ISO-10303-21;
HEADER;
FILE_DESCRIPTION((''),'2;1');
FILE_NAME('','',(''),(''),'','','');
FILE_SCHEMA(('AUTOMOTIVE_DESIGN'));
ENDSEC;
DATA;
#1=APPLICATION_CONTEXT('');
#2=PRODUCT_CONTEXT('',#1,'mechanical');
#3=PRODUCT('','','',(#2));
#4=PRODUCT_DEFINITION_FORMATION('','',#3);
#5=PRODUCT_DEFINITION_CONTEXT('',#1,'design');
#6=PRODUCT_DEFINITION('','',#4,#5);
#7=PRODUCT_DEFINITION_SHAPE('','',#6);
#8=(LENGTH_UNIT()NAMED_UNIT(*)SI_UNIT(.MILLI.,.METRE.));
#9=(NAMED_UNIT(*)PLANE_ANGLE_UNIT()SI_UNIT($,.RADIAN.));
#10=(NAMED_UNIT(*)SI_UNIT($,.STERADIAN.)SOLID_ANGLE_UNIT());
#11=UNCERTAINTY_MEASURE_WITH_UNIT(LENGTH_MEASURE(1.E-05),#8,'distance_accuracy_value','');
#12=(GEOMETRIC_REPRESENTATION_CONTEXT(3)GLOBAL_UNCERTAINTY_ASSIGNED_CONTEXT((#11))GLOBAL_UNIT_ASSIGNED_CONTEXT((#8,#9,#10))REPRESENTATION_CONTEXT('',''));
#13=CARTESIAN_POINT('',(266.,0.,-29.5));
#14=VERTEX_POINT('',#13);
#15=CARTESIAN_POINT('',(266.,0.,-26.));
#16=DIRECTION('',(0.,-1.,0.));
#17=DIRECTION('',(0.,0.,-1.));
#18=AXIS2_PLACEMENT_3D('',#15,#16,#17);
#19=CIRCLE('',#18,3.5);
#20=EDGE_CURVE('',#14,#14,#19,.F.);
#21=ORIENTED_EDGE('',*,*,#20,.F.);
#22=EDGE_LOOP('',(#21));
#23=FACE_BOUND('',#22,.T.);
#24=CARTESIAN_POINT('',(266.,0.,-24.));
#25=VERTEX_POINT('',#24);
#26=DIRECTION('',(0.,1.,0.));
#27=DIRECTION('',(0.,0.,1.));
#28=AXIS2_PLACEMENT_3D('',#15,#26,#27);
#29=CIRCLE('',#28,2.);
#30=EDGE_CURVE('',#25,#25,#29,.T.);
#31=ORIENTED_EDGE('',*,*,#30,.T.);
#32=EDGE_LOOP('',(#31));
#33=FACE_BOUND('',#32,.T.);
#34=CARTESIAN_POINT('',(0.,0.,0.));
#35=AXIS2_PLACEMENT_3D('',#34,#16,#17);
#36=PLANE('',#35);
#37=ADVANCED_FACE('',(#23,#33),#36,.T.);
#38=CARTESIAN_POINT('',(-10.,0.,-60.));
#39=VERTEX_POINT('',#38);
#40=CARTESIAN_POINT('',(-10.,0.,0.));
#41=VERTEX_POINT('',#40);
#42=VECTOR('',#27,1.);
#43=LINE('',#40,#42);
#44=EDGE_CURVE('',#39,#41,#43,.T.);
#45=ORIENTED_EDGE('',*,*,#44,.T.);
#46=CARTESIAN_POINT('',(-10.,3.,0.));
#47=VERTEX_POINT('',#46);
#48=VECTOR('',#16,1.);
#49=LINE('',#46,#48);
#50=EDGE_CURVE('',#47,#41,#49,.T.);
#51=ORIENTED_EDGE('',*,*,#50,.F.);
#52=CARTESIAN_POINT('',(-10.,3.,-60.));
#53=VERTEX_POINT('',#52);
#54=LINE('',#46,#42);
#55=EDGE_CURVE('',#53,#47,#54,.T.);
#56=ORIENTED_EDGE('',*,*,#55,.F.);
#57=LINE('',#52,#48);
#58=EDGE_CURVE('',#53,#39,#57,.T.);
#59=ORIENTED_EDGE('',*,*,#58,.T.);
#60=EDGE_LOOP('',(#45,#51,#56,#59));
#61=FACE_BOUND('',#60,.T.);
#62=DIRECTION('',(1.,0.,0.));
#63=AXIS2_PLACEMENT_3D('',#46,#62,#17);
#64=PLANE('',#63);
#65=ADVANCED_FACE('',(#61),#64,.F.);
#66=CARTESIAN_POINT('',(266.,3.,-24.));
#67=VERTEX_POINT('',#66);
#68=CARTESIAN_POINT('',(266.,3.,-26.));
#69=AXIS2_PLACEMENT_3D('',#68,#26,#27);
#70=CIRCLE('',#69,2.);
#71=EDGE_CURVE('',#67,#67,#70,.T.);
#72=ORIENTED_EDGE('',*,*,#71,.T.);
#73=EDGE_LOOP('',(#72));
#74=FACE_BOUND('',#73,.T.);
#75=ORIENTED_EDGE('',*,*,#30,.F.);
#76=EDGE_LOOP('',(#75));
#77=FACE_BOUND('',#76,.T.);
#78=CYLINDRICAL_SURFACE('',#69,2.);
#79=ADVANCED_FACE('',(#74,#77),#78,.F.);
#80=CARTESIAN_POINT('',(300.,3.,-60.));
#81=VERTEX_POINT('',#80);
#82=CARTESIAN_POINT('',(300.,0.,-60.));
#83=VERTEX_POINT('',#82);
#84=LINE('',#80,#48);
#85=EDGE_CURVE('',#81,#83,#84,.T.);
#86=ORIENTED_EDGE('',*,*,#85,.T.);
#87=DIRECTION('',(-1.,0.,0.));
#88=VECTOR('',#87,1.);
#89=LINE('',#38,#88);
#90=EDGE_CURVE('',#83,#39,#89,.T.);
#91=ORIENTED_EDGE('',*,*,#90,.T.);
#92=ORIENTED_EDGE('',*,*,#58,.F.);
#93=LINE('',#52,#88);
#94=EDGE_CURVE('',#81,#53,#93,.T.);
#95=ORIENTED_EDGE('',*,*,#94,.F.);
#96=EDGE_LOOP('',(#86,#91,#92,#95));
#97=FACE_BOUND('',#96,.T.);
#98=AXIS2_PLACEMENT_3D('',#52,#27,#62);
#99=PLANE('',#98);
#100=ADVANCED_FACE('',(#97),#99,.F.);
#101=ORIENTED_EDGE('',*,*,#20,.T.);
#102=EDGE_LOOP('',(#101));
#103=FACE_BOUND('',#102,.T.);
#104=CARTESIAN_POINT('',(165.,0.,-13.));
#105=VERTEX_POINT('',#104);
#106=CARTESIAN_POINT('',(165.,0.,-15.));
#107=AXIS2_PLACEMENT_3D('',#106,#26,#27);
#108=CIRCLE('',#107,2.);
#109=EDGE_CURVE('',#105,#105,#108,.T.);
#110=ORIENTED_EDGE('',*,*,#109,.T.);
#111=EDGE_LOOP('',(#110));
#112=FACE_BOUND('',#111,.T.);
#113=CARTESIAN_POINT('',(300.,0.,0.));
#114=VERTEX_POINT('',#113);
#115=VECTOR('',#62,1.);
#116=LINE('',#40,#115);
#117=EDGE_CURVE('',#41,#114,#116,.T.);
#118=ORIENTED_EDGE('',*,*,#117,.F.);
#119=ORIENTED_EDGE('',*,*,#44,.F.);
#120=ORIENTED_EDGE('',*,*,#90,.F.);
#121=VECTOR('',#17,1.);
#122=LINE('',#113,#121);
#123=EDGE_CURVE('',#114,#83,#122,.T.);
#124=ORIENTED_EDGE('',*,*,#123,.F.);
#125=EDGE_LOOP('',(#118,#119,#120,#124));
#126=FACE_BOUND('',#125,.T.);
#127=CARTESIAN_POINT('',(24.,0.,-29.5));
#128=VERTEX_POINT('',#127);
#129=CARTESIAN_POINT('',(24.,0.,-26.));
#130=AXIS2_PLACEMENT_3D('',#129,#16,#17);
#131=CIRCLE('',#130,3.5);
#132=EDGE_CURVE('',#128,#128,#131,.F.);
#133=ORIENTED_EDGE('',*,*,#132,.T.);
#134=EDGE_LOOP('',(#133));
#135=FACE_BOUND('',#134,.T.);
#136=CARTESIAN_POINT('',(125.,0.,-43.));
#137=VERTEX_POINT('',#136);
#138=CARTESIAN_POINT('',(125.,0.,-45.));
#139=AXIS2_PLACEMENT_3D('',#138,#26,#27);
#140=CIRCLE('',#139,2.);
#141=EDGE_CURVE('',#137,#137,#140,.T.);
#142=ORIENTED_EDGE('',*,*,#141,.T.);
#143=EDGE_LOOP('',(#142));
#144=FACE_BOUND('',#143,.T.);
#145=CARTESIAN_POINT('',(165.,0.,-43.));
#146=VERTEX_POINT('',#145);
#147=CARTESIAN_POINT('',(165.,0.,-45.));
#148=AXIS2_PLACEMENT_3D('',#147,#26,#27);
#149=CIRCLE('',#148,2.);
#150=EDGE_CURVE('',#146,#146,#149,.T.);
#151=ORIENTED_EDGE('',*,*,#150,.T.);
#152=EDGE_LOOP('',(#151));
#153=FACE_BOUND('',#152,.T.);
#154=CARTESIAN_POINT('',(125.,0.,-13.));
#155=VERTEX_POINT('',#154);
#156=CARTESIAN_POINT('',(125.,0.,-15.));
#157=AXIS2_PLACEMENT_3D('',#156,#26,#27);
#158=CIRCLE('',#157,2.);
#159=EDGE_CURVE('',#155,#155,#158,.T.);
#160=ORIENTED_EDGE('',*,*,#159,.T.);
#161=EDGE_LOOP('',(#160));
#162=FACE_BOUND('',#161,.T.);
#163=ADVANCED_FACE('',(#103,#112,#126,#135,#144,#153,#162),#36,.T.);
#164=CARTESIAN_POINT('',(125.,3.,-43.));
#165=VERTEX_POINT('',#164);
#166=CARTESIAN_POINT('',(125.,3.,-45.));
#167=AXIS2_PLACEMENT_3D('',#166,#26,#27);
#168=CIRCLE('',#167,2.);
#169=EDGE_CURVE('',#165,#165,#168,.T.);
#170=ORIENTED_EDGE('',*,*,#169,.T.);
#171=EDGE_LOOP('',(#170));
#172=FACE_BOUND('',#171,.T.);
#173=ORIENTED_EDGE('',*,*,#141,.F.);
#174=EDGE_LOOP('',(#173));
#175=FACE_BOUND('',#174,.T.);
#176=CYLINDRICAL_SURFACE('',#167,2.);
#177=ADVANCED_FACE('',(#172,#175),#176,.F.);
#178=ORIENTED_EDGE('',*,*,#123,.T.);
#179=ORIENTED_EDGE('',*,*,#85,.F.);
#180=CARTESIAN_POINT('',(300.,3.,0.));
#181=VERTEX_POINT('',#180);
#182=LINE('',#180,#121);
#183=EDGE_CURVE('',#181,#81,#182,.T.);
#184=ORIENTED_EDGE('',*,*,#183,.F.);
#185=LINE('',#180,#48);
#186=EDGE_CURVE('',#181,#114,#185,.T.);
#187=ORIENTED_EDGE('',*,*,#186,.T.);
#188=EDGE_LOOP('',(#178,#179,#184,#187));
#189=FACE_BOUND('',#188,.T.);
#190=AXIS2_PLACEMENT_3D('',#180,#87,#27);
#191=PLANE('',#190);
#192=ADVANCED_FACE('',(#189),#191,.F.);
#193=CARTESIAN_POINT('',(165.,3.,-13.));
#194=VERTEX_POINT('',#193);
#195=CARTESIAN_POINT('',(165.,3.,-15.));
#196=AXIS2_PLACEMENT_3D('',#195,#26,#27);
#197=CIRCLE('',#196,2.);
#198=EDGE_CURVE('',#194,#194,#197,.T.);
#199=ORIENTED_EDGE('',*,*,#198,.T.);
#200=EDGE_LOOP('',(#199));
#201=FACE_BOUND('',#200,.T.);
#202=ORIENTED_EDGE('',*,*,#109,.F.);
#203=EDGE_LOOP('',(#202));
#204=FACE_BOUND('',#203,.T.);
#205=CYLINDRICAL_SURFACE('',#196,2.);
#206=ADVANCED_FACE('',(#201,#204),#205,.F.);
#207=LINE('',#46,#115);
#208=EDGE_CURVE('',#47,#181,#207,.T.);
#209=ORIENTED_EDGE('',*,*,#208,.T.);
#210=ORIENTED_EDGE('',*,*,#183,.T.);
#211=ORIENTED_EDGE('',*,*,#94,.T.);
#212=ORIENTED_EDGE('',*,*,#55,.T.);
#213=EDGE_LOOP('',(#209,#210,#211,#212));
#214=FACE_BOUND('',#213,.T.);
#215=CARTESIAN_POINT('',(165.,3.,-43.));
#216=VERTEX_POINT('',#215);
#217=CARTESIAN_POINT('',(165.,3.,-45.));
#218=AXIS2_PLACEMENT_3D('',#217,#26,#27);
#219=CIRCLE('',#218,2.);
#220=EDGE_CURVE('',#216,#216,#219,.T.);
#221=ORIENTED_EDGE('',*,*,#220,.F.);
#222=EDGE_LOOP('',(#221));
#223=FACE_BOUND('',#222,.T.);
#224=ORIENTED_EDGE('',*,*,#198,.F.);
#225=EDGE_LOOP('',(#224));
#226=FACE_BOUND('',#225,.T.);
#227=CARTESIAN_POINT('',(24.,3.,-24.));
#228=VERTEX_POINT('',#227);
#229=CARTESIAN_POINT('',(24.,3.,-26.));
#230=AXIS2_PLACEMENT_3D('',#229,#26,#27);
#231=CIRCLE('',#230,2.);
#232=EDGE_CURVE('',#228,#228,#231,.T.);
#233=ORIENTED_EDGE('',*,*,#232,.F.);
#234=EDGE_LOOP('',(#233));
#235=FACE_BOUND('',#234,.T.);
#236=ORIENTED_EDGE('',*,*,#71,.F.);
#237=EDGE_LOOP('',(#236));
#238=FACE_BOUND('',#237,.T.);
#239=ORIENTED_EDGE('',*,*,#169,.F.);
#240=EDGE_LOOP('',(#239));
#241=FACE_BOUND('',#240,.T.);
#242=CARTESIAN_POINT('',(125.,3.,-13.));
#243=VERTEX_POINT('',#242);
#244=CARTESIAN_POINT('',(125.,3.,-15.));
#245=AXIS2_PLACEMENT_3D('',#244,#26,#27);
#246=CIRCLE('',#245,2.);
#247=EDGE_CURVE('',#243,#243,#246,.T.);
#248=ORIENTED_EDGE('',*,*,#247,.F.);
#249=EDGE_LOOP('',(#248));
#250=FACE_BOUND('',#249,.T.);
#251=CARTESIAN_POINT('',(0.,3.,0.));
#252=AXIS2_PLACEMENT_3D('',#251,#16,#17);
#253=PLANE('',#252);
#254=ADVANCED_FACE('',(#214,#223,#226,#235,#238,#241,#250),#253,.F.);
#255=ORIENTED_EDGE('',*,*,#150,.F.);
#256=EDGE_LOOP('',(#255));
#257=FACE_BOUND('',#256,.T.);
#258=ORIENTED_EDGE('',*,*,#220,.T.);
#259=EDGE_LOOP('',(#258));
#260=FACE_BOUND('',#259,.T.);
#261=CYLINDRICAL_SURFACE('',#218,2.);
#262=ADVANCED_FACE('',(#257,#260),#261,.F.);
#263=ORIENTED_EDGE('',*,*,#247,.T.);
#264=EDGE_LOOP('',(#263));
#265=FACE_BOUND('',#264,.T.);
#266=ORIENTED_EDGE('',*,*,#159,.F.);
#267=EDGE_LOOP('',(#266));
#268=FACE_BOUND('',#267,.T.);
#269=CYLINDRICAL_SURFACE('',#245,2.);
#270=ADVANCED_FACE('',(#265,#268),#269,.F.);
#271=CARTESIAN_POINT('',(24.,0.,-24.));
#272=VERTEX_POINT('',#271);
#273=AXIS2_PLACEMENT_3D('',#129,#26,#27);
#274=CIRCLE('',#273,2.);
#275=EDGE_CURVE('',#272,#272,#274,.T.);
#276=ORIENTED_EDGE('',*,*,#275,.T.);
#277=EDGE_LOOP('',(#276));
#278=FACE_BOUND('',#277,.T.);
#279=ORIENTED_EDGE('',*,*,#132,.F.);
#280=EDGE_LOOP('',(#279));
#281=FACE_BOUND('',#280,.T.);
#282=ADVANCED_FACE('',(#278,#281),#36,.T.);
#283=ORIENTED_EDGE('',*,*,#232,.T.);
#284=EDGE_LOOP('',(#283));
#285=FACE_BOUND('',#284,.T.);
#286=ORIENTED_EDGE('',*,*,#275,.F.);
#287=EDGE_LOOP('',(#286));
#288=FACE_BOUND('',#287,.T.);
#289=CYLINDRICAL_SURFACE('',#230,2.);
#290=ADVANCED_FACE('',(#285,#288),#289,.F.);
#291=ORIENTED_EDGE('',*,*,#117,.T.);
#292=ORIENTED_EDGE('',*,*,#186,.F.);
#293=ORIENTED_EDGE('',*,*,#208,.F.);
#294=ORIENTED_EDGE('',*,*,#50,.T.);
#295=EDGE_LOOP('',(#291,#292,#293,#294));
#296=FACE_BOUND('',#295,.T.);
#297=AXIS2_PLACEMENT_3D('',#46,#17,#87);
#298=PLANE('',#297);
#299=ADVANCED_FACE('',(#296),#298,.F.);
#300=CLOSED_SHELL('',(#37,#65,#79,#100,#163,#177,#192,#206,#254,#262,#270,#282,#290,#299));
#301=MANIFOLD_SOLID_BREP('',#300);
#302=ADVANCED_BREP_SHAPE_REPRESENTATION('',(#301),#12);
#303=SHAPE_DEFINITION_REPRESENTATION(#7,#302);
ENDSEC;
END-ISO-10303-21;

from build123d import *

# Parameters (mm, degrees)
SKETCH1_W           = 310
SKETCH1_H           = 60
BOSS_EXTRUDE1_DEPTH = 3
OTW_R_POD_RUB_M41_D = 4


with BuildPart() as part:
    # Sketch1 → Boss-Extrude1 (new body)
    with BuildSketch(Plane(origin=(0, 0, 0), x_dir=(1, 0, 0), z_dir=(0, 1, 0))):
        with Locations((145, 30)):
            Rectangle(SKETCH1_W, SKETCH1_H)
    extrude(amount=BOSS_EXTRUDE1_DEPTH)

    # Otwór pod śrubę M41 (through all)
    with Locations(Plane(origin=(0, 3, 0), x_dir=(1, 0, 0), z_dir=(0, 1, 0))):
        with Locations((266, 26), (24, 26), (125, 15), (165, 15), (165, 45), (125, 45)):
            Hole(OTW_R_POD_RUB_M41_D / 2)


solid = part.part
